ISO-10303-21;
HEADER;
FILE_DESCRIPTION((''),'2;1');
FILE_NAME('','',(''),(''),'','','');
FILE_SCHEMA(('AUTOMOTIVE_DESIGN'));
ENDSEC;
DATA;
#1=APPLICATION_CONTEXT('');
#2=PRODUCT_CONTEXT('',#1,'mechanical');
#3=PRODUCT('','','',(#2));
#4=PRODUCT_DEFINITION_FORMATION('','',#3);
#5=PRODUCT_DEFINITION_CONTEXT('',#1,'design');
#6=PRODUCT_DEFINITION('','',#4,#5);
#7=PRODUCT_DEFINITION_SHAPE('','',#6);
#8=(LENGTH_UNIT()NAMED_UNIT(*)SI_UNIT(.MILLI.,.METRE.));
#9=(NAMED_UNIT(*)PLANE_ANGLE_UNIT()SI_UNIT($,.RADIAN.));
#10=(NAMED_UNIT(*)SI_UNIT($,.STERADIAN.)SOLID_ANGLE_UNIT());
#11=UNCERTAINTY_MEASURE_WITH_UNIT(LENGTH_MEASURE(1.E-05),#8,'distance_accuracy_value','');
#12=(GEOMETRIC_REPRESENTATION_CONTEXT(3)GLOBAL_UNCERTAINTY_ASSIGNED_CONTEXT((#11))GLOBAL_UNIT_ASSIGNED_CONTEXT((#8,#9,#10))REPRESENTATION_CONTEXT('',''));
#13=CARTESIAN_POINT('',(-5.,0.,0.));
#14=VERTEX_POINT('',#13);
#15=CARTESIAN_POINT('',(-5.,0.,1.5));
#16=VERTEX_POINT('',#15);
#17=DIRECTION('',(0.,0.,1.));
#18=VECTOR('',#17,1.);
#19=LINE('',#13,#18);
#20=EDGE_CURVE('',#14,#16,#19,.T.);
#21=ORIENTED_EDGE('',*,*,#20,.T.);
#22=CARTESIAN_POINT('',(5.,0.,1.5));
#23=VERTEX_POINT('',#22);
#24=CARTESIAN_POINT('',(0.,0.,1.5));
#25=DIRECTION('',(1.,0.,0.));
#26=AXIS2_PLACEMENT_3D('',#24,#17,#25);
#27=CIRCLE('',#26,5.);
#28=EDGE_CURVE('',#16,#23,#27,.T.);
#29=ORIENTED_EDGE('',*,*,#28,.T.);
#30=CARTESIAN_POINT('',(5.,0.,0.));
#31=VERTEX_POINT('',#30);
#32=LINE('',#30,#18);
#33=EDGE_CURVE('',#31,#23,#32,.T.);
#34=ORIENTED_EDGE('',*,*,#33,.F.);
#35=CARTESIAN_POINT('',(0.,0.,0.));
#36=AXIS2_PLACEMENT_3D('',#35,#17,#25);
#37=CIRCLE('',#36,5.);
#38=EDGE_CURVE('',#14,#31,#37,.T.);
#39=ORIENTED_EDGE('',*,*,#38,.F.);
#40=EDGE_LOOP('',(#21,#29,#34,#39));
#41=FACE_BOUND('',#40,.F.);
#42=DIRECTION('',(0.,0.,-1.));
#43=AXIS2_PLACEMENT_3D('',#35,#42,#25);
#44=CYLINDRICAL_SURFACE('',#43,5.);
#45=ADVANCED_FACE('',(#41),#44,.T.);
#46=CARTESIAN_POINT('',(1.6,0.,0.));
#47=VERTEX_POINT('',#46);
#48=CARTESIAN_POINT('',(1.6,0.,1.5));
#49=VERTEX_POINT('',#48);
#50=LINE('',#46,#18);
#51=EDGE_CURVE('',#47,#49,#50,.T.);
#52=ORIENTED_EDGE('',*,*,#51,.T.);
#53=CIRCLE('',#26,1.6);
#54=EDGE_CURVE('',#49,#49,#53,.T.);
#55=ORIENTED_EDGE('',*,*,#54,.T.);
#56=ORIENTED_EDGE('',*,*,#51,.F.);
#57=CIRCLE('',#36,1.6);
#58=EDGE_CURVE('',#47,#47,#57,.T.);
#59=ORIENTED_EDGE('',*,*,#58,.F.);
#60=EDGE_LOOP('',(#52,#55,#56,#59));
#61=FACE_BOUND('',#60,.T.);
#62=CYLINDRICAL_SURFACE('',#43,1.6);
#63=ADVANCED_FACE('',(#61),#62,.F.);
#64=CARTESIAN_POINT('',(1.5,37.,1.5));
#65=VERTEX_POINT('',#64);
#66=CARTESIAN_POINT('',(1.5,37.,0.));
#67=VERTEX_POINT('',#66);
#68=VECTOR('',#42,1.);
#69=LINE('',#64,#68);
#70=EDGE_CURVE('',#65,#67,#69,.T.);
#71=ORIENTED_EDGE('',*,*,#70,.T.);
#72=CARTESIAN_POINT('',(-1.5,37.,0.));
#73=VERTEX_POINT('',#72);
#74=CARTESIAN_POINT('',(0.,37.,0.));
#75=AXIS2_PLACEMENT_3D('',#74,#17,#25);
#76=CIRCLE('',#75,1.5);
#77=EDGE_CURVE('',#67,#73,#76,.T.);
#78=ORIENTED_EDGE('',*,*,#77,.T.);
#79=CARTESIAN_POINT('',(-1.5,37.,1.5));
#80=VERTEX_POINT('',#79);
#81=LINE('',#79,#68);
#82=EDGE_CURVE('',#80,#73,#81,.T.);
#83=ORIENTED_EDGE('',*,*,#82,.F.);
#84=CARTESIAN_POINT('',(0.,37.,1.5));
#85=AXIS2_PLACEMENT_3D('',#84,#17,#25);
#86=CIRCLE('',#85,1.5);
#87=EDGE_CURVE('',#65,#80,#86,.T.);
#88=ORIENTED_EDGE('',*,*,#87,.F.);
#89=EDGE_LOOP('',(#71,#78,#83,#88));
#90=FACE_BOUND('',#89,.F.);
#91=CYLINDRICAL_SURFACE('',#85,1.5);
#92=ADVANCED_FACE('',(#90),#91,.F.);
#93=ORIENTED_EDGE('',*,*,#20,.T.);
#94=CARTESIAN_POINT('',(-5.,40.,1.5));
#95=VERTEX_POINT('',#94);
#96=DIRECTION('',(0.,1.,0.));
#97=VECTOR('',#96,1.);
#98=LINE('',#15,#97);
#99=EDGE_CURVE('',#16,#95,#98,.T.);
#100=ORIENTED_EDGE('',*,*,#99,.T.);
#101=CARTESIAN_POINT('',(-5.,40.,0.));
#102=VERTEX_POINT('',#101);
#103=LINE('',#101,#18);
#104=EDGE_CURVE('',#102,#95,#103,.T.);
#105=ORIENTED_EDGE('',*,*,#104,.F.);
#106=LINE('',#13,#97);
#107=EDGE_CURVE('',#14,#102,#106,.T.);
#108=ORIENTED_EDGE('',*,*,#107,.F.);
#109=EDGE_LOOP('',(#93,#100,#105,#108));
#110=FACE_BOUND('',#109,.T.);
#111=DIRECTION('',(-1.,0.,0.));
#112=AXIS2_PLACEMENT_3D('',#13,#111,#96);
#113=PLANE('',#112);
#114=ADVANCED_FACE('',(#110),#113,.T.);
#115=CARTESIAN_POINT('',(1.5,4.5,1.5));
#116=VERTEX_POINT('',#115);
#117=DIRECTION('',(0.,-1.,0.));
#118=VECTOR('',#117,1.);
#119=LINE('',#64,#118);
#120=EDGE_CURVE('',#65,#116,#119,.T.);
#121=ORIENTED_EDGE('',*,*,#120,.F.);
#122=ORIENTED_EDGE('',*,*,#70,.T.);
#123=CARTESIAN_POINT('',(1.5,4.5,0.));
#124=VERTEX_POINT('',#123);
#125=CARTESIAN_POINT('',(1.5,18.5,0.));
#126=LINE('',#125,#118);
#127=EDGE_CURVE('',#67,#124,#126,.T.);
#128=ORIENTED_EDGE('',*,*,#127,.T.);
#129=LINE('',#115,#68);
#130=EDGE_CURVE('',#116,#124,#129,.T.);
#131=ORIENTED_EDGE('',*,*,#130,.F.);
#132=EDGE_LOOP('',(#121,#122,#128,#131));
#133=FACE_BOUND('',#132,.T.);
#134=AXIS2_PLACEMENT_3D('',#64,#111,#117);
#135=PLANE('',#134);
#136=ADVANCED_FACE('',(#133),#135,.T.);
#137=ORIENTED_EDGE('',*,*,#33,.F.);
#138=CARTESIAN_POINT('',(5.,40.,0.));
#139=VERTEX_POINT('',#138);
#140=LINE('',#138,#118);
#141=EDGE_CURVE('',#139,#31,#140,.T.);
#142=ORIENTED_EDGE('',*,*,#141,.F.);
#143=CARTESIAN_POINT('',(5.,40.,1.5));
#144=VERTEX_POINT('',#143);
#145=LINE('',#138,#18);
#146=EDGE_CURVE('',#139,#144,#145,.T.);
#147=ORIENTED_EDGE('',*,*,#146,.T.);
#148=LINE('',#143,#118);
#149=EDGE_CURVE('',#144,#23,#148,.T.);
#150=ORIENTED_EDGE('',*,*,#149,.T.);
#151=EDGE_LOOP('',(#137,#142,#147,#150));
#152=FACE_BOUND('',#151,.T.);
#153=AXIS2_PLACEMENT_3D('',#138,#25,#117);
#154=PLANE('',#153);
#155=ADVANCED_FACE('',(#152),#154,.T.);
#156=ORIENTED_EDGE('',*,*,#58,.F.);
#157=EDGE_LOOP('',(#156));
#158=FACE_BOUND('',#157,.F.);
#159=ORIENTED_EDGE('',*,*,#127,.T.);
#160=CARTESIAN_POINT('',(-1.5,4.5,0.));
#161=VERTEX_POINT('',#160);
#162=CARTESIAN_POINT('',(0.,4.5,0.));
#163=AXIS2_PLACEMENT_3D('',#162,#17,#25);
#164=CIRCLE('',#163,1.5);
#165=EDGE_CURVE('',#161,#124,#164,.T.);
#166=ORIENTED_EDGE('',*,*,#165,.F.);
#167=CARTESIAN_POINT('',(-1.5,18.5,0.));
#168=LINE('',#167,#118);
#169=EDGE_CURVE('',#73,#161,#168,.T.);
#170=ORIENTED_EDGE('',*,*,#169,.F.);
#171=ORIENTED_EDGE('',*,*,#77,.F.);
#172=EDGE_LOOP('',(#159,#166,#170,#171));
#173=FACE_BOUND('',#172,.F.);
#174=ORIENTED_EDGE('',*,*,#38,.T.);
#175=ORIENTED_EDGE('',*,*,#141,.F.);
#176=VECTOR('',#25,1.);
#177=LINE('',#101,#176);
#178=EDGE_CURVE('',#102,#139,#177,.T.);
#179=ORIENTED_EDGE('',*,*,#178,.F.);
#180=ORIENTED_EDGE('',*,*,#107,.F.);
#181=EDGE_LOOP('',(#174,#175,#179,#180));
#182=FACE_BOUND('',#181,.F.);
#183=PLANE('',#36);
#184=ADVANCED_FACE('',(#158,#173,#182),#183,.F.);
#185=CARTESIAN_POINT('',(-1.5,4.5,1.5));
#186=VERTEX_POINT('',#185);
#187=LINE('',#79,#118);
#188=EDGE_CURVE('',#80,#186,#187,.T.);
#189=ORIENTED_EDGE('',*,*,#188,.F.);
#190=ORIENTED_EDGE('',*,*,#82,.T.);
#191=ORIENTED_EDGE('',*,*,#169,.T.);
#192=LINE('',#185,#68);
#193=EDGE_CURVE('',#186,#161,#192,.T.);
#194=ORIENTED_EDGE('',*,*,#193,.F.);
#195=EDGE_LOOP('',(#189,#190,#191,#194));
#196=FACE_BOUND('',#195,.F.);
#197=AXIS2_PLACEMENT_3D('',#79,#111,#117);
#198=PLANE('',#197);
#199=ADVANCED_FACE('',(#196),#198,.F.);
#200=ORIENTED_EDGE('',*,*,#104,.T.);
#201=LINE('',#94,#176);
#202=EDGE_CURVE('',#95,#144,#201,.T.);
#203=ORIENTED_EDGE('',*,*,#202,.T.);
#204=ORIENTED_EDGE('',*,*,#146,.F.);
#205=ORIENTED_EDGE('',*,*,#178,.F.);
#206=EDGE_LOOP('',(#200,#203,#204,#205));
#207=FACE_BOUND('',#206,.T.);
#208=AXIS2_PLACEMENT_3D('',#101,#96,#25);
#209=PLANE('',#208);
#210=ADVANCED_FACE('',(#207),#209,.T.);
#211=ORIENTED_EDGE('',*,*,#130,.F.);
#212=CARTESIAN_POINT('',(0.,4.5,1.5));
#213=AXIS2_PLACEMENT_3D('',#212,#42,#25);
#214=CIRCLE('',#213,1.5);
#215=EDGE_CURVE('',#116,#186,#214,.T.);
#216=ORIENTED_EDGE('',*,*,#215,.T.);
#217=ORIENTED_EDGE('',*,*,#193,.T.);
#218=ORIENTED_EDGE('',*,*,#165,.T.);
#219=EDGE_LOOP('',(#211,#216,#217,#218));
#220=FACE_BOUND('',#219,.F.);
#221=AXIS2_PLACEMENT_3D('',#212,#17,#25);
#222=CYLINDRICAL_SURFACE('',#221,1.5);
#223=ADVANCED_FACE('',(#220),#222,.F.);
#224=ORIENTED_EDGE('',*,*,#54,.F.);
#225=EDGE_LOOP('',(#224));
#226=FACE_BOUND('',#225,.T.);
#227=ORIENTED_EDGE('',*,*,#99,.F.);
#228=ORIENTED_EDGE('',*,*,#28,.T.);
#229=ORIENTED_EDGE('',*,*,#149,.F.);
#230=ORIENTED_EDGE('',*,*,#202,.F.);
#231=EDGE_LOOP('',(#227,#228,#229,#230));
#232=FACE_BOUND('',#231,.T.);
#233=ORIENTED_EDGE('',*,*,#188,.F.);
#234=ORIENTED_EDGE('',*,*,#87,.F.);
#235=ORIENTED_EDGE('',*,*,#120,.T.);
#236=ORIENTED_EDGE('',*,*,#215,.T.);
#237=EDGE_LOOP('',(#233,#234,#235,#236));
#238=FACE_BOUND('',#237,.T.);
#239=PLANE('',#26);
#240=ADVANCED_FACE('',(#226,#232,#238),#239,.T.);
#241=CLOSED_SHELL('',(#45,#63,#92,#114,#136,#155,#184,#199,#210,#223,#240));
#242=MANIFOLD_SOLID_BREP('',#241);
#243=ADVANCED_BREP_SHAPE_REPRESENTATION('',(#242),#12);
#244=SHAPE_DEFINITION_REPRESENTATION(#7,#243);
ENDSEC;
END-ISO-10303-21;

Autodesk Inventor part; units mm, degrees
ref_plane "YZ Plane" through (0, 0, 0) normal (1, 0, 0) x (0, 1, 0)
ref_plane "XZ Plane" through (0, 0, 0) normal (0, 1, 0) x (-1, 0, 0)
ref_plane "XY Plane" through (0, 0, 0) normal (0, 0, 1) x (1, 0, 0)
sketch "スケッチ1" plane through (0, 0, 0) normal (0, 0, 1) x (1, 0, 0)
  circle A0 centre (0, 0) radius 1.6
  circle A1 centre (0, 0) radius 5
  line L0 (-5, 0) -> (-5, 40)
  line L1 (-5, 40) -> (5, 40)
  line L2 (5, 40) -> (5, 0)
  dimension "d0" = 3.2
  dimension "d1" = 10
  dimension "d2" = 40
extrude "押し出し1" add sketch "スケッチ1" along normal blind 1.5
sketch "スケッチ2" plane through (0, 0, 1.5) normal (0, 0, 1) x (1, 0, 0)
  circle A0 centre (0, 0) radius 1.6 projected
  circle A1 centre (0, 0) radius 3
  circle A2 centre (0, 4.5) radius 1.5
  circle A3 centre (0, 37) radius 1.5
  line L0 (5, 40) -> (-5, 40) projected
  line L1 (1.5, 37) -> (1.5, 4.5)
  line L2 (-1.5, 37) -> (-1.5, 4.5)
  dimension "d5" = 6
  dimension "d6" = 3
  dimension "d7" = 3
extrude "押し出し2" cut sketch "スケッチ2" against normal through all contours A2 | L2 A3 L1 A2 | A3
properties part number "kosinopich"
